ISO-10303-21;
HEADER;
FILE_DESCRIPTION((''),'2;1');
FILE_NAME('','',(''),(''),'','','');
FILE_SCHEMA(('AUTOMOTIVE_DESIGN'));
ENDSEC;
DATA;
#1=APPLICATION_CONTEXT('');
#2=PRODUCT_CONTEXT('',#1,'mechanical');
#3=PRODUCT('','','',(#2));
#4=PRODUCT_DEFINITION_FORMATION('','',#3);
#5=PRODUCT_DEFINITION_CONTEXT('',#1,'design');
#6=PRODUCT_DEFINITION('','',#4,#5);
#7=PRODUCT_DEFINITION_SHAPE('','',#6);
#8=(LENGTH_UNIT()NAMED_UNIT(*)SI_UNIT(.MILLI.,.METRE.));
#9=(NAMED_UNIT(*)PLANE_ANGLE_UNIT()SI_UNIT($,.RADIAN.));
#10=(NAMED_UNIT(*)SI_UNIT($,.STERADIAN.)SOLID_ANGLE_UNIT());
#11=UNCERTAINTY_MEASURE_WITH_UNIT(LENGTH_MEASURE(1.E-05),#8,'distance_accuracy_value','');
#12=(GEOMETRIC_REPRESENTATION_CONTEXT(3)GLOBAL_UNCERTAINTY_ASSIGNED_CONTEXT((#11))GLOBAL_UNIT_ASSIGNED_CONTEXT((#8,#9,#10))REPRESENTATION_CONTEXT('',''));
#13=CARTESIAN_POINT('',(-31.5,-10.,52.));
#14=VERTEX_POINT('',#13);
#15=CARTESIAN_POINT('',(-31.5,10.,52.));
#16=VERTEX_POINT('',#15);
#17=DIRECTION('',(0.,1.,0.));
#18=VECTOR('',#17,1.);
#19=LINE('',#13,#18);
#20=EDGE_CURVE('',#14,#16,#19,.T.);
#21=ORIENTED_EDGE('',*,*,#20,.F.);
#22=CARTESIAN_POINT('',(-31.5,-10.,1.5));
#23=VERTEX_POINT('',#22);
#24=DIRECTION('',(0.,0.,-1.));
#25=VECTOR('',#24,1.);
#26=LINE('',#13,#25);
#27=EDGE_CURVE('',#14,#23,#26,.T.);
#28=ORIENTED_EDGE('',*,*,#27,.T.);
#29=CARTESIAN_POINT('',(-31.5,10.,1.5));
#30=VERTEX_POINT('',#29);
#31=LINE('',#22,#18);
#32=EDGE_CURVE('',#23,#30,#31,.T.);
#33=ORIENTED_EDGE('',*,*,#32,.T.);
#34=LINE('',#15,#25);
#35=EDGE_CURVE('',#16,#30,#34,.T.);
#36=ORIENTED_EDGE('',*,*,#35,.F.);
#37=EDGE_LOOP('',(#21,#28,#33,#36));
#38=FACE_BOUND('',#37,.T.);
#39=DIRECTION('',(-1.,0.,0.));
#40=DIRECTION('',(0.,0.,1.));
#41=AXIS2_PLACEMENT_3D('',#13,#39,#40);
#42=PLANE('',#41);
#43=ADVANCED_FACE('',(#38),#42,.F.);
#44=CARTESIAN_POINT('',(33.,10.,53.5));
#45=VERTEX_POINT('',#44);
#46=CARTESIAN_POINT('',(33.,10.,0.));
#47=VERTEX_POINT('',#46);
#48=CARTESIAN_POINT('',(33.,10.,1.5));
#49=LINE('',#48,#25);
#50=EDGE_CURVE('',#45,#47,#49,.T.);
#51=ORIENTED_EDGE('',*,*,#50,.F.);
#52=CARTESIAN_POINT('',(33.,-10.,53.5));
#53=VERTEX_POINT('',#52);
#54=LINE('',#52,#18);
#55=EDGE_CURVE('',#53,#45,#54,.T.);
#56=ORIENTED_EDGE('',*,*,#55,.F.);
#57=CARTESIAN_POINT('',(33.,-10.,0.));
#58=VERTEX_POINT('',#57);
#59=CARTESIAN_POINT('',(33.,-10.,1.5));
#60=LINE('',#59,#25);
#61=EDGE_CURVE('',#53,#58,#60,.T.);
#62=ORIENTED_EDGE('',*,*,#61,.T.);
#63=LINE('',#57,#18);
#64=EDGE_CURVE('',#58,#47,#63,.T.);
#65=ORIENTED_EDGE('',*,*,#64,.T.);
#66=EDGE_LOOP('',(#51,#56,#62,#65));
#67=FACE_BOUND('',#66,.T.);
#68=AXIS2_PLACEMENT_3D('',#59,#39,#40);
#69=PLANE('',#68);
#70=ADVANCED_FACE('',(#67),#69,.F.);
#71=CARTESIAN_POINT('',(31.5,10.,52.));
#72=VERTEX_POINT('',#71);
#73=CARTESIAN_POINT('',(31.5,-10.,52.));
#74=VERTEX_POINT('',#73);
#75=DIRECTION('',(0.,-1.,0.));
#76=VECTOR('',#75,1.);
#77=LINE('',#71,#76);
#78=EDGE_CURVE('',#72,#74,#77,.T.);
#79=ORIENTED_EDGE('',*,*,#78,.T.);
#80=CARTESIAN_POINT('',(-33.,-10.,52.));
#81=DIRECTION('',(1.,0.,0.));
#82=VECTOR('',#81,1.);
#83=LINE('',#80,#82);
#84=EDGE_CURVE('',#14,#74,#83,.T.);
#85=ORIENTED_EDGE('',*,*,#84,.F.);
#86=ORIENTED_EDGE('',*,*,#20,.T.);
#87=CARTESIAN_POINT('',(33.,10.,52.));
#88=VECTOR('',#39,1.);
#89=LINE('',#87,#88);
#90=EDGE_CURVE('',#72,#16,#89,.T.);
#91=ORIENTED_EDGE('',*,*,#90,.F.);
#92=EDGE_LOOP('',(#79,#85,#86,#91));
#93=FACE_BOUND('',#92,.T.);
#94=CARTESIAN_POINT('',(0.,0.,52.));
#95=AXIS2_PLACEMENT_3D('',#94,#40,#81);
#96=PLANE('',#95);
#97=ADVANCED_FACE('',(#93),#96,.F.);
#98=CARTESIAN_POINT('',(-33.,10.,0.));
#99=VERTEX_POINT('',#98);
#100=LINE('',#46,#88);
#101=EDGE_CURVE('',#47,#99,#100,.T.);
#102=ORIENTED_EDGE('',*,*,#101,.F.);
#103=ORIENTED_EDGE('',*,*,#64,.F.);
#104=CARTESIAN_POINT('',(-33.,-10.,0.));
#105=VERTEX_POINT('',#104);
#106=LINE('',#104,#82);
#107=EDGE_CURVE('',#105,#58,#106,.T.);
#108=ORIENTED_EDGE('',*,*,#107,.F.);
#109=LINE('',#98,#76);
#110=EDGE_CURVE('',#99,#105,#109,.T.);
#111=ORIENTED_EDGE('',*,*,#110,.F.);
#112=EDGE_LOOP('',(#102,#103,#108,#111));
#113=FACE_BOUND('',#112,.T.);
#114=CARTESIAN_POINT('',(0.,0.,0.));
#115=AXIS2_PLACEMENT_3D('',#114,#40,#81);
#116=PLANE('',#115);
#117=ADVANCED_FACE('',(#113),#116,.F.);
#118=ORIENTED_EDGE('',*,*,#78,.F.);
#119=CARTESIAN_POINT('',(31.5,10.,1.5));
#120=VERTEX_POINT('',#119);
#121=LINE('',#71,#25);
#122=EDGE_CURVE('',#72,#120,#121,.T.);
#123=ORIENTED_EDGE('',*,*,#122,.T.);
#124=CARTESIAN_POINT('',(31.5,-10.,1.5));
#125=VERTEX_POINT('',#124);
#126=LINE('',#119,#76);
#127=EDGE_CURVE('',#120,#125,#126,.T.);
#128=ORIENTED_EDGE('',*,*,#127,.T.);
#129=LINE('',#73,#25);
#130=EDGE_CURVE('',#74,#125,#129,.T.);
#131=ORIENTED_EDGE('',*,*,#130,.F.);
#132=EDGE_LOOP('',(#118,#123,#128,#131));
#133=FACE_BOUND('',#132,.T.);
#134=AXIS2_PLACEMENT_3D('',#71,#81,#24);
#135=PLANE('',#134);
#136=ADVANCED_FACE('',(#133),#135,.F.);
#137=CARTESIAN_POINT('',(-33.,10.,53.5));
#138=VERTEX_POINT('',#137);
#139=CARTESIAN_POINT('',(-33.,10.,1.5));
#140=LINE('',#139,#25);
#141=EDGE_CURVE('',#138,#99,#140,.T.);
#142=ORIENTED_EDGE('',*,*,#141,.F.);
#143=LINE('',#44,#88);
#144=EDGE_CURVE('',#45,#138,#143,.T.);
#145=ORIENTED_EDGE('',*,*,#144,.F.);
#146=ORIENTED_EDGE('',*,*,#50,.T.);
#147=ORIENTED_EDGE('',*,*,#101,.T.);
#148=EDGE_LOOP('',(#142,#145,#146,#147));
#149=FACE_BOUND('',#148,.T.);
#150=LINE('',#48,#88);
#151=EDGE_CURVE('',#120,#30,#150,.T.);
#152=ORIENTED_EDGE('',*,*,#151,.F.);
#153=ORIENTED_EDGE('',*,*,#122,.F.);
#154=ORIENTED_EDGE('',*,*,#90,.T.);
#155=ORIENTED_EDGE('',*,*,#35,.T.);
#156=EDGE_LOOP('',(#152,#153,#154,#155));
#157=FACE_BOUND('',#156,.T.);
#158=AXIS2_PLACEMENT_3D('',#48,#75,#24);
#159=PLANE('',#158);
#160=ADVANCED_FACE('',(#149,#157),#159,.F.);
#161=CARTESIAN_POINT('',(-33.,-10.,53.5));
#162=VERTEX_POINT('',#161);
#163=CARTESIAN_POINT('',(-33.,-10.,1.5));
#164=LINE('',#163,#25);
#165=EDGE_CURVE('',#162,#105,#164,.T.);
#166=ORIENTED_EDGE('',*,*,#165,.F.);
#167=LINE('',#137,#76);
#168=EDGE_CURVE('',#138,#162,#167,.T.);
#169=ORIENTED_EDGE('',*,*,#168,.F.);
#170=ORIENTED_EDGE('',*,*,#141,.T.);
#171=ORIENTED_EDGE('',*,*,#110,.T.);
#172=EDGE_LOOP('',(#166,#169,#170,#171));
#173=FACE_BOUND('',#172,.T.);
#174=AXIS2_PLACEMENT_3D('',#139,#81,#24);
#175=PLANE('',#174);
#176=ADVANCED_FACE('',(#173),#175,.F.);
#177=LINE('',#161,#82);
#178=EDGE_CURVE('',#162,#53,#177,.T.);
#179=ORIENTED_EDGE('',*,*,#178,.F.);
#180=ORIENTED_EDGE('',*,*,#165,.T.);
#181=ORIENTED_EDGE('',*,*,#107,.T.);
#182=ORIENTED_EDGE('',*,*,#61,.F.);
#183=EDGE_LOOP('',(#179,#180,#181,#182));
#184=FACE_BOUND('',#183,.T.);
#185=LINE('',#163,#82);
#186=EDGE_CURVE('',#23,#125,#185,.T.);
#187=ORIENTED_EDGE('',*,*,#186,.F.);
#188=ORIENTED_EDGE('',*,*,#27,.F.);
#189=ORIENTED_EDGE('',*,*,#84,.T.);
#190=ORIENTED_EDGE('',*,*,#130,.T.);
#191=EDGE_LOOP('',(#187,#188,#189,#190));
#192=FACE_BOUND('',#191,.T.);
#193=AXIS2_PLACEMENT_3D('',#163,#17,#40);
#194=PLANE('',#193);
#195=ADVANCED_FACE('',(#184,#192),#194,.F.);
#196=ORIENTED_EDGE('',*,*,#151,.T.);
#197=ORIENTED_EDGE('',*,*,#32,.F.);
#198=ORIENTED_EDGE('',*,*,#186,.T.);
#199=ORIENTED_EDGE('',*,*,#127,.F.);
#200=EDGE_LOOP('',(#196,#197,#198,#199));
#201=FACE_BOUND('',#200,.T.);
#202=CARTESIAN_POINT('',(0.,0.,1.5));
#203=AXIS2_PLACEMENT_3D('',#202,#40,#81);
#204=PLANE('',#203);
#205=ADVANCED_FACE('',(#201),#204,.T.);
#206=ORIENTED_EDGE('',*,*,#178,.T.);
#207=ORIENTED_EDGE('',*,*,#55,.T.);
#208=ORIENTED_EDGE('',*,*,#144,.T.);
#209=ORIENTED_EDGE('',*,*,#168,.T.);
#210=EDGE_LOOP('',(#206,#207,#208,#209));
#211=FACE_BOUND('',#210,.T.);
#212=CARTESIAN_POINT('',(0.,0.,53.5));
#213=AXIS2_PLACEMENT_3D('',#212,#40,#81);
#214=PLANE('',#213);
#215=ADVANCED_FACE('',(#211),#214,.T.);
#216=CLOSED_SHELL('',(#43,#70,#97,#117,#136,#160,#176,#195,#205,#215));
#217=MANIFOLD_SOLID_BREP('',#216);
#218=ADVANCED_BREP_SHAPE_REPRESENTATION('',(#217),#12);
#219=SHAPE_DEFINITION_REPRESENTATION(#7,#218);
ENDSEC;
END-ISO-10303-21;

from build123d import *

# Parameters (mm, degrees)
SKETCH_1_W        = 66
SKETCH_1_H        = 20
EXTRUDE_224_DEPTH = 1.5
EXTRUDE_START     = 1.5
SKETCH_2_W        = 1.5
SKETCH_2_H        = 20
EXTRUDE_307_DEPTH = 50.5
EXTRUDE_START_2   = 52
SKETCH_3_W        = 66
SKETCH_3_H        = 20
EXTRUDE_387_DEPTH = 1.5


with BuildPart() as part:
    # 草图1 → Extrude 224 (new body)
    with BuildSketch(Plane.XY):
        Rectangle(SKETCH_1_W, SKETCH_1_H)
    extrude(amount=EXTRUDE_224_DEPTH)

    # 草图2 → Extrude 307 (add)
    with BuildSketch(Plane.XY.offset(EXTRUDE_START)):
        with Locations((-32.25, 0)):
            Rectangle(SKETCH_2_W, SKETCH_2_H)
        with Locations((32.25, 0)):
            Rectangle(SKETCH_2_W, SKETCH_2_H)
    extrude(amount=EXTRUDE_307_DEPTH)

    # 草图3 → Extrude 387 (add)
    with BuildSketch(Plane.XY.offset(EXTRUDE_START_2)):
        Rectangle(SKETCH_3_W, SKETCH_3_H)
    extrude(amount=EXTRUDE_387_DEPTH)


solid = part.part
